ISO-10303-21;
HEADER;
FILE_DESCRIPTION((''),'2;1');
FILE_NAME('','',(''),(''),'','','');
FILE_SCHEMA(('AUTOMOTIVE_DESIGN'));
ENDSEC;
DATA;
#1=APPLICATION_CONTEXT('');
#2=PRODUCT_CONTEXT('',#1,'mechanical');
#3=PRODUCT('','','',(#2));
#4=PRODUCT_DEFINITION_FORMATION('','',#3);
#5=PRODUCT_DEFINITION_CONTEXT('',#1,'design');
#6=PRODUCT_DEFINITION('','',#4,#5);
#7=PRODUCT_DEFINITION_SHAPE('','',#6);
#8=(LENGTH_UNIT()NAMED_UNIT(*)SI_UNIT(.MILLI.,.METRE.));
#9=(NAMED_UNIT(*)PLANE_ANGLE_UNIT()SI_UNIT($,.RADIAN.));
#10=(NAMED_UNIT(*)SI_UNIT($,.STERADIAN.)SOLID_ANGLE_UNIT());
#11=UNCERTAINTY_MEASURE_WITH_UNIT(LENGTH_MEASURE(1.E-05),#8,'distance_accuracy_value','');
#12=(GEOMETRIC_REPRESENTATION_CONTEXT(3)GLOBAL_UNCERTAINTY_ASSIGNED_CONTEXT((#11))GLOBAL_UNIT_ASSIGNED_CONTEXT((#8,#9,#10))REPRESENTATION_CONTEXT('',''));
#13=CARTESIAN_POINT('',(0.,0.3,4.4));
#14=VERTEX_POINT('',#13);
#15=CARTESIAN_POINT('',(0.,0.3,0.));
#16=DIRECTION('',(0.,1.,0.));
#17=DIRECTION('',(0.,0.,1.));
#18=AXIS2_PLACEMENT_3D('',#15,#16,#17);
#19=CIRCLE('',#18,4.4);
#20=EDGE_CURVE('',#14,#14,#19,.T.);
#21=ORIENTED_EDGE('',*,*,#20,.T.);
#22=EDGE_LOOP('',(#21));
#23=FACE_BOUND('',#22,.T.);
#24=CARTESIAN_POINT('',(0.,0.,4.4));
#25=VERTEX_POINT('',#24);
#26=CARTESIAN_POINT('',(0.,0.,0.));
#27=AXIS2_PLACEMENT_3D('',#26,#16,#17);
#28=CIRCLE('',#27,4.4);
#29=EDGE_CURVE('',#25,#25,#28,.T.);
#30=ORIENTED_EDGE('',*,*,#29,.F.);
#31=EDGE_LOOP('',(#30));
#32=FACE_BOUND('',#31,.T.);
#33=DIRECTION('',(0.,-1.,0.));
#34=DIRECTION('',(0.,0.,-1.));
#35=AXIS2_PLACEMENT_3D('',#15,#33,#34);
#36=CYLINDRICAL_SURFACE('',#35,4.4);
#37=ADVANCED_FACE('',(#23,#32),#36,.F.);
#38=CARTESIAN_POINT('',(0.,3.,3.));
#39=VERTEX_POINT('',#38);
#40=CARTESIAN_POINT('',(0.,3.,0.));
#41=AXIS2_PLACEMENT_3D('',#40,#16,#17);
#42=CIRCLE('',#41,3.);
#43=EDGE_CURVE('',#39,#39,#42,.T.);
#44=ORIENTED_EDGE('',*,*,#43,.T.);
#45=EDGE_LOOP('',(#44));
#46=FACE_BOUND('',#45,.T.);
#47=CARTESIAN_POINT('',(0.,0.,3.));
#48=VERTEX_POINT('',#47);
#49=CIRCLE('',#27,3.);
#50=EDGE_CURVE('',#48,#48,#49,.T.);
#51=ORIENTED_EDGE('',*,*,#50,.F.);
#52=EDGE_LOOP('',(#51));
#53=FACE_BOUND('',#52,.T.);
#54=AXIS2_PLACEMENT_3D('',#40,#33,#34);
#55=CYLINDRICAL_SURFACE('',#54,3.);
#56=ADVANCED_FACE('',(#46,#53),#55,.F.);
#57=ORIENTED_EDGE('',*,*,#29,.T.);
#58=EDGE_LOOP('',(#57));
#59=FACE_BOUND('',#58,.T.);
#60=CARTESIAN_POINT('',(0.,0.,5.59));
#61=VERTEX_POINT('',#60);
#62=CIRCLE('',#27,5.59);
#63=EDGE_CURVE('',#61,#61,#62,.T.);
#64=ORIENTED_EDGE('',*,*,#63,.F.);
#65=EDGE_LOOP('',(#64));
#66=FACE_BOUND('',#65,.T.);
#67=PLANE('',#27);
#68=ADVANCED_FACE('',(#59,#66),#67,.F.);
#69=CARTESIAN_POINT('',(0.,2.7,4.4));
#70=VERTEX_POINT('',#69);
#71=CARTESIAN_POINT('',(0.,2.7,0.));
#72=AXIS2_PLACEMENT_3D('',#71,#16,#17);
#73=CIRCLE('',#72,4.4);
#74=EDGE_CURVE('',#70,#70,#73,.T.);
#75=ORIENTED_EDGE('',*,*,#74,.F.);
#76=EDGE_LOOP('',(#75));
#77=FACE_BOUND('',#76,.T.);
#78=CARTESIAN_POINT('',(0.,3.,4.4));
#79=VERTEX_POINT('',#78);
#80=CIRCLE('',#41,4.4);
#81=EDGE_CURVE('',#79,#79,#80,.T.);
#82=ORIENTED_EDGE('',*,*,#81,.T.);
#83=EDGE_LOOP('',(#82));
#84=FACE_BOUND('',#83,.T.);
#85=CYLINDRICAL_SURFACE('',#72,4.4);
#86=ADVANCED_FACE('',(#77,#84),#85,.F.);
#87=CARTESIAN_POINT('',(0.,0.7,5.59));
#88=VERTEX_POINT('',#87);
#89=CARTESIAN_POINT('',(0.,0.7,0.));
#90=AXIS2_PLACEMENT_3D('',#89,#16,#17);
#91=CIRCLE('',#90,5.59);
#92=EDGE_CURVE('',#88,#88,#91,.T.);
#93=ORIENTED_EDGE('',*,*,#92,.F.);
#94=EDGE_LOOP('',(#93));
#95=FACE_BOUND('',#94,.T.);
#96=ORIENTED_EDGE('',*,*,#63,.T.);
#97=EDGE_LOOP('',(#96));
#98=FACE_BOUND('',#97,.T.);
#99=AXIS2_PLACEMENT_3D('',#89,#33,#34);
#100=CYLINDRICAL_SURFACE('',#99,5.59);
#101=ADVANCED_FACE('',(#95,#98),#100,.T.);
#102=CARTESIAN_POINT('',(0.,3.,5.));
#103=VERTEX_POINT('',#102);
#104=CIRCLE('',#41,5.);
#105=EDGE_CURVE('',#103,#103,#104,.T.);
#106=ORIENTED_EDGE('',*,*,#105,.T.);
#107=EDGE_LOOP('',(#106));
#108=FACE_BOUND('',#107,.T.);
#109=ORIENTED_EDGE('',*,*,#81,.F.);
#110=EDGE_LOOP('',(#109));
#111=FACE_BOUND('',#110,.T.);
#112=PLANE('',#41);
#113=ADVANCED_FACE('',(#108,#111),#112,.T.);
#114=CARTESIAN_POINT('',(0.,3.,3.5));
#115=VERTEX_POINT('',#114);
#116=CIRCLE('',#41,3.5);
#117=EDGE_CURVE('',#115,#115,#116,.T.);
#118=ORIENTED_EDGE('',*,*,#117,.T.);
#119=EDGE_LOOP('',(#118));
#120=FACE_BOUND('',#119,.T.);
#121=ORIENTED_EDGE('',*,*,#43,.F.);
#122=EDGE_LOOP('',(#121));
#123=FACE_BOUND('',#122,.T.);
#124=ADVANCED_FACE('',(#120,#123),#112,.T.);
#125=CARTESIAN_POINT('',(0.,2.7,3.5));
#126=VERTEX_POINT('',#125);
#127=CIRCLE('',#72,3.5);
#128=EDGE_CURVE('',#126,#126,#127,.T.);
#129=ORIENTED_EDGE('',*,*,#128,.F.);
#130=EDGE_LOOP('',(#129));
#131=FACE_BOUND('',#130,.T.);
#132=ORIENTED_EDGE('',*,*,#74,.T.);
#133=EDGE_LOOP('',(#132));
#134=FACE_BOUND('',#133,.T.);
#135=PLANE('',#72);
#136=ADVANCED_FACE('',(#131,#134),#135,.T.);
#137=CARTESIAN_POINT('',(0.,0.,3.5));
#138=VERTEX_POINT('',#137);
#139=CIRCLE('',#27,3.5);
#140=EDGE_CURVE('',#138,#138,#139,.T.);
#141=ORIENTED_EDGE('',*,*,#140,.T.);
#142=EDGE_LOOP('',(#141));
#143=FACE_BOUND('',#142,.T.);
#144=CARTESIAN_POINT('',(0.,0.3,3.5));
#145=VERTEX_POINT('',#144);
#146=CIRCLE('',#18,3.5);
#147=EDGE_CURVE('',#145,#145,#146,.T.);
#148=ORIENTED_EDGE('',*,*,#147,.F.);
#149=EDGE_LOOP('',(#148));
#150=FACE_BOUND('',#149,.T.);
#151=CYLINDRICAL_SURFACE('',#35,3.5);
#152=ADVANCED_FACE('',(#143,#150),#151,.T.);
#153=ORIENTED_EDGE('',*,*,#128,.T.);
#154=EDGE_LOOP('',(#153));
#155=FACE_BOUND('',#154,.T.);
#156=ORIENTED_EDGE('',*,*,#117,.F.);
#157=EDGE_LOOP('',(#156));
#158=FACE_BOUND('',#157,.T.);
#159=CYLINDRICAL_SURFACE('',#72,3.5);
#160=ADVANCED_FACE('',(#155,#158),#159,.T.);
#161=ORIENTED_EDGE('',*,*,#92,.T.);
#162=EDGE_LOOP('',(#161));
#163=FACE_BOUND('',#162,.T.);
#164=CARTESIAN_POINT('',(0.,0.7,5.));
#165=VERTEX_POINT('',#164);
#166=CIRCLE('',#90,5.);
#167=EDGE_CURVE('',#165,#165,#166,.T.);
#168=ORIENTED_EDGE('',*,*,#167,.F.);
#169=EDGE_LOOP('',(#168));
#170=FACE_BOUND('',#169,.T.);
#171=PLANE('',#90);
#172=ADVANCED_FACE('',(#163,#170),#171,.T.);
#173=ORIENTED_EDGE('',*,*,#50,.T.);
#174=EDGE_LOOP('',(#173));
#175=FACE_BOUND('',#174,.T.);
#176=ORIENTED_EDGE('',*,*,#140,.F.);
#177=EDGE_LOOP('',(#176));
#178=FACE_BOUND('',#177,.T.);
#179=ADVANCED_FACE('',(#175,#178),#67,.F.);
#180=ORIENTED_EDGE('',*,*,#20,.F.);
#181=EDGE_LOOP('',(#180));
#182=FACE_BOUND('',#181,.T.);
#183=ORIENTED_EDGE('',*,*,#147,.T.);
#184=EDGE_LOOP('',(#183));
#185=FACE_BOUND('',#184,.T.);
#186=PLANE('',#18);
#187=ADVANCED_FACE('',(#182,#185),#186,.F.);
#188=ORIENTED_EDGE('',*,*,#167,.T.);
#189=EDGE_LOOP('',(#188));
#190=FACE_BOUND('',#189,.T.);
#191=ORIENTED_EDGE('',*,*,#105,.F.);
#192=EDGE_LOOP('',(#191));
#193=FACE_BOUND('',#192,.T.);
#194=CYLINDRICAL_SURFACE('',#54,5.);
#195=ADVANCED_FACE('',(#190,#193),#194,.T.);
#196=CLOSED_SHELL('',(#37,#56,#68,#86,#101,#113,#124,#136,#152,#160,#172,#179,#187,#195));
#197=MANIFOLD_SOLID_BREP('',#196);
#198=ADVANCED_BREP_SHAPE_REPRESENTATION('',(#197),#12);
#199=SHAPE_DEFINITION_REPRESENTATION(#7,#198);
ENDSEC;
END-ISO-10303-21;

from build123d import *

# Parameters (mm, degrees)
SKETCH1_R           = 5
SKETCH1_R_2         = 3
BOSS_EXTRUDE1_DEPTH = 3
SKETCH2_R           = 5.59
SKETCH2_R_2         = 5
BOSS_EXTRUDE2_DEPTH = 0.7
SKETCH3_R           = 4.4
SKETCH3_R_2         = 3.5
CUT_EXTRUDE1_DEPTH  = 0.3
CUT_EXTRUDE2_START  = 0.3
SKETCH4_R           = 4.4
SKETCH4_R_2         = 3.5
CUT_EXTRUDE2_DEPTH  = 0.3


with BuildPart() as part:
    # Sketch1 → Boss-Extrude1 (new body)
    with BuildSketch(Plane(origin=(0, 0, 0), x_dir=(1, 0, 0), z_dir=(0, 1, 0))):
        with Locations(Location((0, 0, 0), (0, 0, 270))):
            Circle(SKETCH1_R)
        with Locations(Location((0, 0, 0), (0, 0, 270))):
            Circle(SKETCH1_R_2, mode=Mode.SUBTRACT)
    extrude(amount=BOSS_EXTRUDE1_DEPTH)

    # Sketch2 → Boss-Extrude2 (add)
    with BuildSketch(Plane(origin=(0, 0, 0), x_dir=(1, 0, 0), z_dir=(0, 1, 0))):
        with Locations(Location((0, 0, 0), (0, 0, 270))):
            Circle(SKETCH2_R)
        with Locations(Location((0, 0, 0), (0, 0, 270))):
            Circle(SKETCH2_R_2, mode=Mode.SUBTRACT)
    extrude(amount=BOSS_EXTRUDE2_DEPTH)

    # Sketch3 → Cut-Extrude1 (cut)
    with BuildSketch(Plane(origin=(0, 3, 0), x_dir=(1, 0, 0), z_dir=(0, 1, 0))):
        with Locations(Location((0, 0, 0), (0, 0, 270))):
            Circle(SKETCH3_R)
        with Locations(Location((0, 0, 0), (0, 0, 270))):
            Circle(SKETCH3_R_2, mode=Mode.SUBTRACT)
    extrude(amount=-CUT_EXTRUDE1_DEPTH, mode=Mode.SUBTRACT)

    # Sketch4 → Cut-Extrude2 (cut)
    with BuildSketch(Plane(origin=(0, 0, 0), x_dir=(1, 0, 0), z_dir=(0, 1, 0)).offset(CUT_EXTRUDE2_START)):
        with Locations(Location((0, 0, 0), (0, 0, 270))):
            Circle(SKETCH4_R)
        with Locations(Location((0, 0, 0), (0, 0, 270))):
            Circle(SKETCH4_R_2, mode=Mode.SUBTRACT)
    extrude(amount=-CUT_EXTRUDE2_DEPTH, mode=Mode.SUBTRACT)


solid = part.part
